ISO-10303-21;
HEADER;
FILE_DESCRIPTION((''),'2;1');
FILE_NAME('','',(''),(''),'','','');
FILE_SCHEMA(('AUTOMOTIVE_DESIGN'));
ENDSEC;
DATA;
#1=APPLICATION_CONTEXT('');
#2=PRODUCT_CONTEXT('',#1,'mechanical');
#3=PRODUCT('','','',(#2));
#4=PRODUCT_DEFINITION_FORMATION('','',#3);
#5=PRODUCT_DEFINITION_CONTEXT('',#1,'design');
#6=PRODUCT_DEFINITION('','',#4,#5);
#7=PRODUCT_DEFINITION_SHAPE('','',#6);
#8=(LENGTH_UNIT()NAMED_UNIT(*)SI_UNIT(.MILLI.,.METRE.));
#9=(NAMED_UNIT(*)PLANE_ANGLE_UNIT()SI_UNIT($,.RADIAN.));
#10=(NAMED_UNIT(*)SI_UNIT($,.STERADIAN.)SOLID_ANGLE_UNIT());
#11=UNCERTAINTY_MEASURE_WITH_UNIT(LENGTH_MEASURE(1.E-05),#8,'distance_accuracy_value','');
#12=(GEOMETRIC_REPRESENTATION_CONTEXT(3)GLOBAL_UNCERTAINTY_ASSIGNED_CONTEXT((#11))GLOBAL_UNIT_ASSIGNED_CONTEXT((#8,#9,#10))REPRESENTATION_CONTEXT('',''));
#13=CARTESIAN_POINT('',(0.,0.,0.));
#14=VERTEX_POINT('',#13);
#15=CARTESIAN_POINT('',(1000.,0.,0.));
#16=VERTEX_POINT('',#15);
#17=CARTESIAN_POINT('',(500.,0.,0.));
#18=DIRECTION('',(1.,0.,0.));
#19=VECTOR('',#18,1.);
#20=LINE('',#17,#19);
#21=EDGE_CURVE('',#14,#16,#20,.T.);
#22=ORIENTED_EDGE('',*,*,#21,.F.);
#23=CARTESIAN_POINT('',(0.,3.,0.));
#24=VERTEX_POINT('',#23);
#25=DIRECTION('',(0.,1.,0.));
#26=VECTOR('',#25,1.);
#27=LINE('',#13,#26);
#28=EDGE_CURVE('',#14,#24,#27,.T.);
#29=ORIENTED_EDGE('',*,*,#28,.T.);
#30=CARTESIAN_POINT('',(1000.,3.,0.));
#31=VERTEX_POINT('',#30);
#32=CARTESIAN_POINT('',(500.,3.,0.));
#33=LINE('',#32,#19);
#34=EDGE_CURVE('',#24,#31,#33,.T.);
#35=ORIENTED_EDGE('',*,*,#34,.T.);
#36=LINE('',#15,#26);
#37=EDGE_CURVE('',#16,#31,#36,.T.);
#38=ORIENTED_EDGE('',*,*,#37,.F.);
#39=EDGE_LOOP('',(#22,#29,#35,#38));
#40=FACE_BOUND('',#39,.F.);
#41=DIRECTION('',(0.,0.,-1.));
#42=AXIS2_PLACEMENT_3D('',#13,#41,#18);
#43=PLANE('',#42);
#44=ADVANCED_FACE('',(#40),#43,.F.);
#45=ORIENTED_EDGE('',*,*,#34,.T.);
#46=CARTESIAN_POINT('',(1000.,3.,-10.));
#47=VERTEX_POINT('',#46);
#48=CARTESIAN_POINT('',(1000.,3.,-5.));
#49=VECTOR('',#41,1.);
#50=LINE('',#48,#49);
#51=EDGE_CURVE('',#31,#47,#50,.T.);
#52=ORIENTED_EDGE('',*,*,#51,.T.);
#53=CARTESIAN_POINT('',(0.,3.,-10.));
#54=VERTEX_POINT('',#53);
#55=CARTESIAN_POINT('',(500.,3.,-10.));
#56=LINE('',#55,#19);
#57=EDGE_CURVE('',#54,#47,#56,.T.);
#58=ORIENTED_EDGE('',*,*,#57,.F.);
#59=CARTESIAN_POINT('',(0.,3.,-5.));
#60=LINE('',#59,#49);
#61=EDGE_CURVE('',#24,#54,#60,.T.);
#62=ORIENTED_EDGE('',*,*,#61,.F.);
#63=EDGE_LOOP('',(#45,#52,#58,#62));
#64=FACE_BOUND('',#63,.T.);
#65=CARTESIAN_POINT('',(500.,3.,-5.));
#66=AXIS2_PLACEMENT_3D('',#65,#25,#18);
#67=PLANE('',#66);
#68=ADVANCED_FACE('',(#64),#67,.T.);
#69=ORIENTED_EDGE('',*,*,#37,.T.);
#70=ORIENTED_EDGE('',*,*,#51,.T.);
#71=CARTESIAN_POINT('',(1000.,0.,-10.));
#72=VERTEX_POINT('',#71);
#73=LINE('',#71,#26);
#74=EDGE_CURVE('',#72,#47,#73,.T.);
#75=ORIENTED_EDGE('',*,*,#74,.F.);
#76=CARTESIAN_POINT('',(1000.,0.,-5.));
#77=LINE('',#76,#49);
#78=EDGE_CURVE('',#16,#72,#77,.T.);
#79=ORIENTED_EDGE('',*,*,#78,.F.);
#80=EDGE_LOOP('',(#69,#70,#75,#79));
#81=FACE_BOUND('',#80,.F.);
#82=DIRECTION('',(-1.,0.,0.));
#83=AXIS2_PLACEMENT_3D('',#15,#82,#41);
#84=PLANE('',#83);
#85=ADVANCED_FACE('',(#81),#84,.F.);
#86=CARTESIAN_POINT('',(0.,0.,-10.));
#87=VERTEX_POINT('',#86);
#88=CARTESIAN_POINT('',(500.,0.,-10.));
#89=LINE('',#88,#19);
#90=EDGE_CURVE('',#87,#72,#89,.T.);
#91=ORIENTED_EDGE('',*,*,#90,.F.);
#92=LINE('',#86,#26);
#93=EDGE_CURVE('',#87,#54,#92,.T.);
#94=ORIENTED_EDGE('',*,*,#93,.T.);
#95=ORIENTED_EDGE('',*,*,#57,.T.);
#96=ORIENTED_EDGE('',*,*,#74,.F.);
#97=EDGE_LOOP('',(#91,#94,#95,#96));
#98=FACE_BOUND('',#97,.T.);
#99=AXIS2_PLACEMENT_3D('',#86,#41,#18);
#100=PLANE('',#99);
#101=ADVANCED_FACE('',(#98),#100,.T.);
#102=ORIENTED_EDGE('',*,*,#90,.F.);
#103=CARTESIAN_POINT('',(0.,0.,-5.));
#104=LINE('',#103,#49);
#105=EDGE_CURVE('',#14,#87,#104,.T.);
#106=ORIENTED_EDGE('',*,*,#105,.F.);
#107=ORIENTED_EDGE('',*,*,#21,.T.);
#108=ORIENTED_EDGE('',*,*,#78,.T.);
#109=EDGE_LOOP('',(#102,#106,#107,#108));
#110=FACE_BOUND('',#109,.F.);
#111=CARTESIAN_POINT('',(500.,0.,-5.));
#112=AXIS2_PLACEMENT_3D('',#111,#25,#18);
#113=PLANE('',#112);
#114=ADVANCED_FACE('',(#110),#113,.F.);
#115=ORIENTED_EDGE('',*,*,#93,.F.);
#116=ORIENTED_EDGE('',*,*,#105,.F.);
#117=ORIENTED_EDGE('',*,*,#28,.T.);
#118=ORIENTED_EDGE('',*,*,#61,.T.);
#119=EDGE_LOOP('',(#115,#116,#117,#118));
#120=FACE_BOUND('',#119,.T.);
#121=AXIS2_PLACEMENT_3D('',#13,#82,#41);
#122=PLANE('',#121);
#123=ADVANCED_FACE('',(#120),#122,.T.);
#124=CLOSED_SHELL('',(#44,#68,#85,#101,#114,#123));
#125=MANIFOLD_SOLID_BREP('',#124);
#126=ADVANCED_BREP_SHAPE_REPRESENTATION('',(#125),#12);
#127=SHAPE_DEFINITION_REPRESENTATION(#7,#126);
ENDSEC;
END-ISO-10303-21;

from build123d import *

# Parameters (mm, degrees)
SKETCH1_W           = 1000
SKETCH1_H           = 10
BOSS_EXTRUDE1_DEPTH = 3


with BuildPart() as part:
    # Sketch1 → Boss-Extrude1 (new body)
    with BuildSketch(Plane(origin=(0, 0, 0), x_dir=(1, 0, 0), z_dir=(0, 1, 0))):
        with Locations((500, 5)):
            Rectangle(SKETCH1_W, SKETCH1_H)
    extrude(amount=BOSS_EXTRUDE1_DEPTH)


solid = part.part
